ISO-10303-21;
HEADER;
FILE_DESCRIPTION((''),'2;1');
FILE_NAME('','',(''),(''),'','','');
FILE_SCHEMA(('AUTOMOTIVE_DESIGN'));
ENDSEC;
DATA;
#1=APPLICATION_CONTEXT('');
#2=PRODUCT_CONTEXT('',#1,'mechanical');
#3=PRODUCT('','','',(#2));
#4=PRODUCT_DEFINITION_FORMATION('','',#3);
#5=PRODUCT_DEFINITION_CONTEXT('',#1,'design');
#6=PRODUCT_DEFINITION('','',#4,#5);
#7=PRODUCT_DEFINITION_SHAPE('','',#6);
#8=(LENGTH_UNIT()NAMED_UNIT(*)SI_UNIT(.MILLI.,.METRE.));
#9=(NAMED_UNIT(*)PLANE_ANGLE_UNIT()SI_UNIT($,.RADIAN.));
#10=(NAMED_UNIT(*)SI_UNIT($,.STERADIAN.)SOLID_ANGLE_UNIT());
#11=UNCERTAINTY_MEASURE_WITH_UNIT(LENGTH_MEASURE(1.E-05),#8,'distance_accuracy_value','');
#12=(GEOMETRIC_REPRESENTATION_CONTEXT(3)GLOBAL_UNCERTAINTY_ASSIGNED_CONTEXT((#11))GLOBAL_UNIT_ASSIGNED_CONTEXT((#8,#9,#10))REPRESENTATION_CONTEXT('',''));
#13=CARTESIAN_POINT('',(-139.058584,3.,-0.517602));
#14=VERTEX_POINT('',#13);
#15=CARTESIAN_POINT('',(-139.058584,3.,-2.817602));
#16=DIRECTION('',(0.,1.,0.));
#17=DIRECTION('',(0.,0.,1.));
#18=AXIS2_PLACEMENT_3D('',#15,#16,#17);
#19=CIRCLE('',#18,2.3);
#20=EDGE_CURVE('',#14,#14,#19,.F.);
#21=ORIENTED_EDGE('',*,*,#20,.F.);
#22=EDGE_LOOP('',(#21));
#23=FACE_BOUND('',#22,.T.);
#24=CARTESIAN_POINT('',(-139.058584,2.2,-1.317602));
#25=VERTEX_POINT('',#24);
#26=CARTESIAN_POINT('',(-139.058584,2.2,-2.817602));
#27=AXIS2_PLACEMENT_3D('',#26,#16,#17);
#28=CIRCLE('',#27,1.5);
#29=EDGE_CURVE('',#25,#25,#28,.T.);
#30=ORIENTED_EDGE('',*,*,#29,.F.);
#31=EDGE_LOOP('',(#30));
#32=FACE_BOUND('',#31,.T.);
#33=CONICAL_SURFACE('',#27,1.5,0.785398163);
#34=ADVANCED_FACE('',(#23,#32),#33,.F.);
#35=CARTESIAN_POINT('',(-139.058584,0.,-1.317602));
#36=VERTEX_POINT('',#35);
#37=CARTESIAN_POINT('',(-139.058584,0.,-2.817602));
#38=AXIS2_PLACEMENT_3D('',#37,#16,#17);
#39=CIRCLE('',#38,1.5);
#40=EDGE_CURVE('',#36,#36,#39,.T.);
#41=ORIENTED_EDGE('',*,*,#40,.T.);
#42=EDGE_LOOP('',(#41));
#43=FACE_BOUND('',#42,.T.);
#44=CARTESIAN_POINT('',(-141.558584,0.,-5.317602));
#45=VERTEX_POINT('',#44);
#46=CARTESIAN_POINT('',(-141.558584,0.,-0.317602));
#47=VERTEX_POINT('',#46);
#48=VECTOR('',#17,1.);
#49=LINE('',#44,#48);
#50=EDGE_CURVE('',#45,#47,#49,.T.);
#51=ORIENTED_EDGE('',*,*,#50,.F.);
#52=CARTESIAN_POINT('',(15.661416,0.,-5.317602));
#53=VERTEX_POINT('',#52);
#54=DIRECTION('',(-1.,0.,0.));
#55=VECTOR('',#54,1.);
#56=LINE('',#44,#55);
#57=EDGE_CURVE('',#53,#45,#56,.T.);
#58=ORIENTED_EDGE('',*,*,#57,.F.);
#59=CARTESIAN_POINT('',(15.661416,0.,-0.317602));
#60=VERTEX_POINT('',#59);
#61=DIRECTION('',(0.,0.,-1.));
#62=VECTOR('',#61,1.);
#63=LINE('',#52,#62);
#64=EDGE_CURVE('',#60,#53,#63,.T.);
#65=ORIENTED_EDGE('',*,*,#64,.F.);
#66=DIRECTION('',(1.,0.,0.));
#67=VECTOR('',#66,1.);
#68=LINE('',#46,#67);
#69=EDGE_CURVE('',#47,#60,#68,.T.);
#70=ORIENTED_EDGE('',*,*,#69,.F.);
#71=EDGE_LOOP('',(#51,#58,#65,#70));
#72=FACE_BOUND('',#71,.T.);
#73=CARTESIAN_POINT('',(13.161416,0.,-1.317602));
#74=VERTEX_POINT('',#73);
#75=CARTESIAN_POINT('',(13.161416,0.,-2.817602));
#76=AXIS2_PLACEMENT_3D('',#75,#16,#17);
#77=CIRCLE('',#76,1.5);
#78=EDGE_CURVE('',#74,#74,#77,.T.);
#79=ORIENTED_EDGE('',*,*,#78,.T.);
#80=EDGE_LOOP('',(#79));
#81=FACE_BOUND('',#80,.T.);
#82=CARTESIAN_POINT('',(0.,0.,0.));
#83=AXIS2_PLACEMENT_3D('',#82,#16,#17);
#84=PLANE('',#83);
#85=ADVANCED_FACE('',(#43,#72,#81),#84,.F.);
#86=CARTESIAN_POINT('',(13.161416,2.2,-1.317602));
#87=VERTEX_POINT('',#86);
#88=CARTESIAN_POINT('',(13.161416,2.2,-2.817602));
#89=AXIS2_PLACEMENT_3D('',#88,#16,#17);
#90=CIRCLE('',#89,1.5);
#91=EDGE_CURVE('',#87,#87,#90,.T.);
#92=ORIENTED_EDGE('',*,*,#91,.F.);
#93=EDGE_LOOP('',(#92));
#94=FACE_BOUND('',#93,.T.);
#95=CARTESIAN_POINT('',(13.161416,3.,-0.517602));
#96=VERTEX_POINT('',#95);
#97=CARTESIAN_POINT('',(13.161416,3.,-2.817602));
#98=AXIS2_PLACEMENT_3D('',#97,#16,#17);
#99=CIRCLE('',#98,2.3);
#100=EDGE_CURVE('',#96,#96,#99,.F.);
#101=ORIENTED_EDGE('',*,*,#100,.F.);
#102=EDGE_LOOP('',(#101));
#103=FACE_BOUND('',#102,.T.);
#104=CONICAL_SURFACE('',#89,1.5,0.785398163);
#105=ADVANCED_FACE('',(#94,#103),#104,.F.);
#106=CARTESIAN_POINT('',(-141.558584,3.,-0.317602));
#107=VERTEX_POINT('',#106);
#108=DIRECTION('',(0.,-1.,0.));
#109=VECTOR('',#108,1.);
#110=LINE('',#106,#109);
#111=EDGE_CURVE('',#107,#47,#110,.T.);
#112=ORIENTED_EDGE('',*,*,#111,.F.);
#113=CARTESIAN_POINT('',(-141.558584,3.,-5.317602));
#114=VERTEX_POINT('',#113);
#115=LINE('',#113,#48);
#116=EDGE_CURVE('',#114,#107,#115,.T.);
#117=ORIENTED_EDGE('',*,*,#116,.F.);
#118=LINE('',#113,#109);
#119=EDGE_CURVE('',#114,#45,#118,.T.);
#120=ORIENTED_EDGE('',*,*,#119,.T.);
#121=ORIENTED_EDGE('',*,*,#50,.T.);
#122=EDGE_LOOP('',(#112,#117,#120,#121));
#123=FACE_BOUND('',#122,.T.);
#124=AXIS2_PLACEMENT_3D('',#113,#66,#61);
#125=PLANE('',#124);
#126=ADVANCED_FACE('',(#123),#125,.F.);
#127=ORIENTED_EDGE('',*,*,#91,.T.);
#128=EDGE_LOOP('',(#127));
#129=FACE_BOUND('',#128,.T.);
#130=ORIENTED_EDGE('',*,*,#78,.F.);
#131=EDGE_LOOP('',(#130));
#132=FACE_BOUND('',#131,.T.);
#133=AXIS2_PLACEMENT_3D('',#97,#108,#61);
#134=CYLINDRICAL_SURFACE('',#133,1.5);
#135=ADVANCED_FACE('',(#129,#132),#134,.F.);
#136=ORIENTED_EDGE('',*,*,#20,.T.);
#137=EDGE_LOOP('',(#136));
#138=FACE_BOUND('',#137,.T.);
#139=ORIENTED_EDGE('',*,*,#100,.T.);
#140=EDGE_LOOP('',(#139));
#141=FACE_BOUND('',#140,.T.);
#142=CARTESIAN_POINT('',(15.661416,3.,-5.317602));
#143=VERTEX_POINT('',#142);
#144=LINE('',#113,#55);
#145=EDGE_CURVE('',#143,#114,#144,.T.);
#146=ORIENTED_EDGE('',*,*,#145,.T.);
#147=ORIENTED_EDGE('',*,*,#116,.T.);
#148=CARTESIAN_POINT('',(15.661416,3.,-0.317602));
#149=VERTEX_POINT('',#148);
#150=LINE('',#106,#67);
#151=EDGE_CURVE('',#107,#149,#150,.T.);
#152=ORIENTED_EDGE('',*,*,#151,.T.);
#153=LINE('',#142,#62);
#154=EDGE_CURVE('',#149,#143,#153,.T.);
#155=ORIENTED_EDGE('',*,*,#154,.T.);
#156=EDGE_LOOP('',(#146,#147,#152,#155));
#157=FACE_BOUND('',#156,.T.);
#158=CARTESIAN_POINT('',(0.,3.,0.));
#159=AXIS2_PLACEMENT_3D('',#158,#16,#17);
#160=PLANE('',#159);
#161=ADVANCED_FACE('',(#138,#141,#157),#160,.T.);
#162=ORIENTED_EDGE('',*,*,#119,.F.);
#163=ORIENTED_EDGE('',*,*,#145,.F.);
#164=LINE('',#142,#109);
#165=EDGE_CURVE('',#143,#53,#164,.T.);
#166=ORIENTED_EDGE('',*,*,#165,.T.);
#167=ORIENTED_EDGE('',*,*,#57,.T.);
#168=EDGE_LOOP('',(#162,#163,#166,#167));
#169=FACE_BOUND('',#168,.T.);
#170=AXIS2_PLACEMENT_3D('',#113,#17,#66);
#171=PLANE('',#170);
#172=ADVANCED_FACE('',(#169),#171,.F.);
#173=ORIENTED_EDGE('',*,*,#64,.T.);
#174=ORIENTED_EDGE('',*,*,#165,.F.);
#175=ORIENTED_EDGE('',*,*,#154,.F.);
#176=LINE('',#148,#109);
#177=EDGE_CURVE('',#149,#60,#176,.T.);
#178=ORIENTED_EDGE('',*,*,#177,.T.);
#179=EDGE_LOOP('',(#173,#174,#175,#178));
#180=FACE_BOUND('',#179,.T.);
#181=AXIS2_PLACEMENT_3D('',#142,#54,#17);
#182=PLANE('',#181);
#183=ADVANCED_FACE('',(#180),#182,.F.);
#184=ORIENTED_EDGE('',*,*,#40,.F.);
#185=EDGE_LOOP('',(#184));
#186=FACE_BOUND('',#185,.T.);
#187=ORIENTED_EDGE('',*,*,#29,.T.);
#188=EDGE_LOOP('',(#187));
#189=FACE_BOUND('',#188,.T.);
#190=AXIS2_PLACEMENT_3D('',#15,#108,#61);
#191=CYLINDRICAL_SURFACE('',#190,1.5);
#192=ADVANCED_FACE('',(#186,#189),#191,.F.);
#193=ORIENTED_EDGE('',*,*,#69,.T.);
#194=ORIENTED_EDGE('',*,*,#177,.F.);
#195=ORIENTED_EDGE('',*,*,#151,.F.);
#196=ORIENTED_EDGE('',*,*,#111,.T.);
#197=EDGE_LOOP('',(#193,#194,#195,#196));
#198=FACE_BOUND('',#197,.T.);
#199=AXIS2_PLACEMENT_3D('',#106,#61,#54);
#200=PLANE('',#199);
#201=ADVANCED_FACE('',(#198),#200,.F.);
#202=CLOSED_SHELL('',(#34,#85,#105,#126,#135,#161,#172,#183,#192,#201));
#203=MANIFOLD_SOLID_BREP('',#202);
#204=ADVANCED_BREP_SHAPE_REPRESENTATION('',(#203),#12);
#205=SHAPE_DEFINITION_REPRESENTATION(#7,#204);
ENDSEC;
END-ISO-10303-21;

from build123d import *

# Parameters (mm, degrees)
SKETCH1_W           = 157.22
SKETCH1_H           = 5
SKETCH1_R           = 1.5
BOSS_EXTRUDE1_DEPTH = 3
CHAMFER1_SIZE       = 0.8


with BuildPart() as part:
    # Sketch1 → Boss-Extrude1 (new body)
    with BuildSketch(Plane(origin=(0, 0, 0), x_dir=(1, 0, 0), z_dir=(0, 1, 0))):
        with Locations((-62.948583844, 2.817602284)):
            Rectangle(SKETCH1_W, SKETCH1_H)
        with Locations(Location((13.161416156, 2.817602284, 0), (0, 0, 270))):
            Circle(SKETCH1_R, mode=Mode.SUBTRACT)
        with Locations(Location((-139.058583844, 2.817602284, 0), (0, 0, 270))):
            Circle(SKETCH1_R, mode=Mode.SUBTRACT)
    extrude(amount=BOSS_EXTRUDE1_DEPTH)

    # Chamfer1
    chamfer1_edges = [part.edges().sort_by_distance(p)[0] for p in [
        (13.161416156, 3, -4.317602284),
        (-139.058583844, 3, -4.317602284),
    ]]
    chamfer(chamfer1_edges, length=CHAMFER1_SIZE)


solid = part.part
